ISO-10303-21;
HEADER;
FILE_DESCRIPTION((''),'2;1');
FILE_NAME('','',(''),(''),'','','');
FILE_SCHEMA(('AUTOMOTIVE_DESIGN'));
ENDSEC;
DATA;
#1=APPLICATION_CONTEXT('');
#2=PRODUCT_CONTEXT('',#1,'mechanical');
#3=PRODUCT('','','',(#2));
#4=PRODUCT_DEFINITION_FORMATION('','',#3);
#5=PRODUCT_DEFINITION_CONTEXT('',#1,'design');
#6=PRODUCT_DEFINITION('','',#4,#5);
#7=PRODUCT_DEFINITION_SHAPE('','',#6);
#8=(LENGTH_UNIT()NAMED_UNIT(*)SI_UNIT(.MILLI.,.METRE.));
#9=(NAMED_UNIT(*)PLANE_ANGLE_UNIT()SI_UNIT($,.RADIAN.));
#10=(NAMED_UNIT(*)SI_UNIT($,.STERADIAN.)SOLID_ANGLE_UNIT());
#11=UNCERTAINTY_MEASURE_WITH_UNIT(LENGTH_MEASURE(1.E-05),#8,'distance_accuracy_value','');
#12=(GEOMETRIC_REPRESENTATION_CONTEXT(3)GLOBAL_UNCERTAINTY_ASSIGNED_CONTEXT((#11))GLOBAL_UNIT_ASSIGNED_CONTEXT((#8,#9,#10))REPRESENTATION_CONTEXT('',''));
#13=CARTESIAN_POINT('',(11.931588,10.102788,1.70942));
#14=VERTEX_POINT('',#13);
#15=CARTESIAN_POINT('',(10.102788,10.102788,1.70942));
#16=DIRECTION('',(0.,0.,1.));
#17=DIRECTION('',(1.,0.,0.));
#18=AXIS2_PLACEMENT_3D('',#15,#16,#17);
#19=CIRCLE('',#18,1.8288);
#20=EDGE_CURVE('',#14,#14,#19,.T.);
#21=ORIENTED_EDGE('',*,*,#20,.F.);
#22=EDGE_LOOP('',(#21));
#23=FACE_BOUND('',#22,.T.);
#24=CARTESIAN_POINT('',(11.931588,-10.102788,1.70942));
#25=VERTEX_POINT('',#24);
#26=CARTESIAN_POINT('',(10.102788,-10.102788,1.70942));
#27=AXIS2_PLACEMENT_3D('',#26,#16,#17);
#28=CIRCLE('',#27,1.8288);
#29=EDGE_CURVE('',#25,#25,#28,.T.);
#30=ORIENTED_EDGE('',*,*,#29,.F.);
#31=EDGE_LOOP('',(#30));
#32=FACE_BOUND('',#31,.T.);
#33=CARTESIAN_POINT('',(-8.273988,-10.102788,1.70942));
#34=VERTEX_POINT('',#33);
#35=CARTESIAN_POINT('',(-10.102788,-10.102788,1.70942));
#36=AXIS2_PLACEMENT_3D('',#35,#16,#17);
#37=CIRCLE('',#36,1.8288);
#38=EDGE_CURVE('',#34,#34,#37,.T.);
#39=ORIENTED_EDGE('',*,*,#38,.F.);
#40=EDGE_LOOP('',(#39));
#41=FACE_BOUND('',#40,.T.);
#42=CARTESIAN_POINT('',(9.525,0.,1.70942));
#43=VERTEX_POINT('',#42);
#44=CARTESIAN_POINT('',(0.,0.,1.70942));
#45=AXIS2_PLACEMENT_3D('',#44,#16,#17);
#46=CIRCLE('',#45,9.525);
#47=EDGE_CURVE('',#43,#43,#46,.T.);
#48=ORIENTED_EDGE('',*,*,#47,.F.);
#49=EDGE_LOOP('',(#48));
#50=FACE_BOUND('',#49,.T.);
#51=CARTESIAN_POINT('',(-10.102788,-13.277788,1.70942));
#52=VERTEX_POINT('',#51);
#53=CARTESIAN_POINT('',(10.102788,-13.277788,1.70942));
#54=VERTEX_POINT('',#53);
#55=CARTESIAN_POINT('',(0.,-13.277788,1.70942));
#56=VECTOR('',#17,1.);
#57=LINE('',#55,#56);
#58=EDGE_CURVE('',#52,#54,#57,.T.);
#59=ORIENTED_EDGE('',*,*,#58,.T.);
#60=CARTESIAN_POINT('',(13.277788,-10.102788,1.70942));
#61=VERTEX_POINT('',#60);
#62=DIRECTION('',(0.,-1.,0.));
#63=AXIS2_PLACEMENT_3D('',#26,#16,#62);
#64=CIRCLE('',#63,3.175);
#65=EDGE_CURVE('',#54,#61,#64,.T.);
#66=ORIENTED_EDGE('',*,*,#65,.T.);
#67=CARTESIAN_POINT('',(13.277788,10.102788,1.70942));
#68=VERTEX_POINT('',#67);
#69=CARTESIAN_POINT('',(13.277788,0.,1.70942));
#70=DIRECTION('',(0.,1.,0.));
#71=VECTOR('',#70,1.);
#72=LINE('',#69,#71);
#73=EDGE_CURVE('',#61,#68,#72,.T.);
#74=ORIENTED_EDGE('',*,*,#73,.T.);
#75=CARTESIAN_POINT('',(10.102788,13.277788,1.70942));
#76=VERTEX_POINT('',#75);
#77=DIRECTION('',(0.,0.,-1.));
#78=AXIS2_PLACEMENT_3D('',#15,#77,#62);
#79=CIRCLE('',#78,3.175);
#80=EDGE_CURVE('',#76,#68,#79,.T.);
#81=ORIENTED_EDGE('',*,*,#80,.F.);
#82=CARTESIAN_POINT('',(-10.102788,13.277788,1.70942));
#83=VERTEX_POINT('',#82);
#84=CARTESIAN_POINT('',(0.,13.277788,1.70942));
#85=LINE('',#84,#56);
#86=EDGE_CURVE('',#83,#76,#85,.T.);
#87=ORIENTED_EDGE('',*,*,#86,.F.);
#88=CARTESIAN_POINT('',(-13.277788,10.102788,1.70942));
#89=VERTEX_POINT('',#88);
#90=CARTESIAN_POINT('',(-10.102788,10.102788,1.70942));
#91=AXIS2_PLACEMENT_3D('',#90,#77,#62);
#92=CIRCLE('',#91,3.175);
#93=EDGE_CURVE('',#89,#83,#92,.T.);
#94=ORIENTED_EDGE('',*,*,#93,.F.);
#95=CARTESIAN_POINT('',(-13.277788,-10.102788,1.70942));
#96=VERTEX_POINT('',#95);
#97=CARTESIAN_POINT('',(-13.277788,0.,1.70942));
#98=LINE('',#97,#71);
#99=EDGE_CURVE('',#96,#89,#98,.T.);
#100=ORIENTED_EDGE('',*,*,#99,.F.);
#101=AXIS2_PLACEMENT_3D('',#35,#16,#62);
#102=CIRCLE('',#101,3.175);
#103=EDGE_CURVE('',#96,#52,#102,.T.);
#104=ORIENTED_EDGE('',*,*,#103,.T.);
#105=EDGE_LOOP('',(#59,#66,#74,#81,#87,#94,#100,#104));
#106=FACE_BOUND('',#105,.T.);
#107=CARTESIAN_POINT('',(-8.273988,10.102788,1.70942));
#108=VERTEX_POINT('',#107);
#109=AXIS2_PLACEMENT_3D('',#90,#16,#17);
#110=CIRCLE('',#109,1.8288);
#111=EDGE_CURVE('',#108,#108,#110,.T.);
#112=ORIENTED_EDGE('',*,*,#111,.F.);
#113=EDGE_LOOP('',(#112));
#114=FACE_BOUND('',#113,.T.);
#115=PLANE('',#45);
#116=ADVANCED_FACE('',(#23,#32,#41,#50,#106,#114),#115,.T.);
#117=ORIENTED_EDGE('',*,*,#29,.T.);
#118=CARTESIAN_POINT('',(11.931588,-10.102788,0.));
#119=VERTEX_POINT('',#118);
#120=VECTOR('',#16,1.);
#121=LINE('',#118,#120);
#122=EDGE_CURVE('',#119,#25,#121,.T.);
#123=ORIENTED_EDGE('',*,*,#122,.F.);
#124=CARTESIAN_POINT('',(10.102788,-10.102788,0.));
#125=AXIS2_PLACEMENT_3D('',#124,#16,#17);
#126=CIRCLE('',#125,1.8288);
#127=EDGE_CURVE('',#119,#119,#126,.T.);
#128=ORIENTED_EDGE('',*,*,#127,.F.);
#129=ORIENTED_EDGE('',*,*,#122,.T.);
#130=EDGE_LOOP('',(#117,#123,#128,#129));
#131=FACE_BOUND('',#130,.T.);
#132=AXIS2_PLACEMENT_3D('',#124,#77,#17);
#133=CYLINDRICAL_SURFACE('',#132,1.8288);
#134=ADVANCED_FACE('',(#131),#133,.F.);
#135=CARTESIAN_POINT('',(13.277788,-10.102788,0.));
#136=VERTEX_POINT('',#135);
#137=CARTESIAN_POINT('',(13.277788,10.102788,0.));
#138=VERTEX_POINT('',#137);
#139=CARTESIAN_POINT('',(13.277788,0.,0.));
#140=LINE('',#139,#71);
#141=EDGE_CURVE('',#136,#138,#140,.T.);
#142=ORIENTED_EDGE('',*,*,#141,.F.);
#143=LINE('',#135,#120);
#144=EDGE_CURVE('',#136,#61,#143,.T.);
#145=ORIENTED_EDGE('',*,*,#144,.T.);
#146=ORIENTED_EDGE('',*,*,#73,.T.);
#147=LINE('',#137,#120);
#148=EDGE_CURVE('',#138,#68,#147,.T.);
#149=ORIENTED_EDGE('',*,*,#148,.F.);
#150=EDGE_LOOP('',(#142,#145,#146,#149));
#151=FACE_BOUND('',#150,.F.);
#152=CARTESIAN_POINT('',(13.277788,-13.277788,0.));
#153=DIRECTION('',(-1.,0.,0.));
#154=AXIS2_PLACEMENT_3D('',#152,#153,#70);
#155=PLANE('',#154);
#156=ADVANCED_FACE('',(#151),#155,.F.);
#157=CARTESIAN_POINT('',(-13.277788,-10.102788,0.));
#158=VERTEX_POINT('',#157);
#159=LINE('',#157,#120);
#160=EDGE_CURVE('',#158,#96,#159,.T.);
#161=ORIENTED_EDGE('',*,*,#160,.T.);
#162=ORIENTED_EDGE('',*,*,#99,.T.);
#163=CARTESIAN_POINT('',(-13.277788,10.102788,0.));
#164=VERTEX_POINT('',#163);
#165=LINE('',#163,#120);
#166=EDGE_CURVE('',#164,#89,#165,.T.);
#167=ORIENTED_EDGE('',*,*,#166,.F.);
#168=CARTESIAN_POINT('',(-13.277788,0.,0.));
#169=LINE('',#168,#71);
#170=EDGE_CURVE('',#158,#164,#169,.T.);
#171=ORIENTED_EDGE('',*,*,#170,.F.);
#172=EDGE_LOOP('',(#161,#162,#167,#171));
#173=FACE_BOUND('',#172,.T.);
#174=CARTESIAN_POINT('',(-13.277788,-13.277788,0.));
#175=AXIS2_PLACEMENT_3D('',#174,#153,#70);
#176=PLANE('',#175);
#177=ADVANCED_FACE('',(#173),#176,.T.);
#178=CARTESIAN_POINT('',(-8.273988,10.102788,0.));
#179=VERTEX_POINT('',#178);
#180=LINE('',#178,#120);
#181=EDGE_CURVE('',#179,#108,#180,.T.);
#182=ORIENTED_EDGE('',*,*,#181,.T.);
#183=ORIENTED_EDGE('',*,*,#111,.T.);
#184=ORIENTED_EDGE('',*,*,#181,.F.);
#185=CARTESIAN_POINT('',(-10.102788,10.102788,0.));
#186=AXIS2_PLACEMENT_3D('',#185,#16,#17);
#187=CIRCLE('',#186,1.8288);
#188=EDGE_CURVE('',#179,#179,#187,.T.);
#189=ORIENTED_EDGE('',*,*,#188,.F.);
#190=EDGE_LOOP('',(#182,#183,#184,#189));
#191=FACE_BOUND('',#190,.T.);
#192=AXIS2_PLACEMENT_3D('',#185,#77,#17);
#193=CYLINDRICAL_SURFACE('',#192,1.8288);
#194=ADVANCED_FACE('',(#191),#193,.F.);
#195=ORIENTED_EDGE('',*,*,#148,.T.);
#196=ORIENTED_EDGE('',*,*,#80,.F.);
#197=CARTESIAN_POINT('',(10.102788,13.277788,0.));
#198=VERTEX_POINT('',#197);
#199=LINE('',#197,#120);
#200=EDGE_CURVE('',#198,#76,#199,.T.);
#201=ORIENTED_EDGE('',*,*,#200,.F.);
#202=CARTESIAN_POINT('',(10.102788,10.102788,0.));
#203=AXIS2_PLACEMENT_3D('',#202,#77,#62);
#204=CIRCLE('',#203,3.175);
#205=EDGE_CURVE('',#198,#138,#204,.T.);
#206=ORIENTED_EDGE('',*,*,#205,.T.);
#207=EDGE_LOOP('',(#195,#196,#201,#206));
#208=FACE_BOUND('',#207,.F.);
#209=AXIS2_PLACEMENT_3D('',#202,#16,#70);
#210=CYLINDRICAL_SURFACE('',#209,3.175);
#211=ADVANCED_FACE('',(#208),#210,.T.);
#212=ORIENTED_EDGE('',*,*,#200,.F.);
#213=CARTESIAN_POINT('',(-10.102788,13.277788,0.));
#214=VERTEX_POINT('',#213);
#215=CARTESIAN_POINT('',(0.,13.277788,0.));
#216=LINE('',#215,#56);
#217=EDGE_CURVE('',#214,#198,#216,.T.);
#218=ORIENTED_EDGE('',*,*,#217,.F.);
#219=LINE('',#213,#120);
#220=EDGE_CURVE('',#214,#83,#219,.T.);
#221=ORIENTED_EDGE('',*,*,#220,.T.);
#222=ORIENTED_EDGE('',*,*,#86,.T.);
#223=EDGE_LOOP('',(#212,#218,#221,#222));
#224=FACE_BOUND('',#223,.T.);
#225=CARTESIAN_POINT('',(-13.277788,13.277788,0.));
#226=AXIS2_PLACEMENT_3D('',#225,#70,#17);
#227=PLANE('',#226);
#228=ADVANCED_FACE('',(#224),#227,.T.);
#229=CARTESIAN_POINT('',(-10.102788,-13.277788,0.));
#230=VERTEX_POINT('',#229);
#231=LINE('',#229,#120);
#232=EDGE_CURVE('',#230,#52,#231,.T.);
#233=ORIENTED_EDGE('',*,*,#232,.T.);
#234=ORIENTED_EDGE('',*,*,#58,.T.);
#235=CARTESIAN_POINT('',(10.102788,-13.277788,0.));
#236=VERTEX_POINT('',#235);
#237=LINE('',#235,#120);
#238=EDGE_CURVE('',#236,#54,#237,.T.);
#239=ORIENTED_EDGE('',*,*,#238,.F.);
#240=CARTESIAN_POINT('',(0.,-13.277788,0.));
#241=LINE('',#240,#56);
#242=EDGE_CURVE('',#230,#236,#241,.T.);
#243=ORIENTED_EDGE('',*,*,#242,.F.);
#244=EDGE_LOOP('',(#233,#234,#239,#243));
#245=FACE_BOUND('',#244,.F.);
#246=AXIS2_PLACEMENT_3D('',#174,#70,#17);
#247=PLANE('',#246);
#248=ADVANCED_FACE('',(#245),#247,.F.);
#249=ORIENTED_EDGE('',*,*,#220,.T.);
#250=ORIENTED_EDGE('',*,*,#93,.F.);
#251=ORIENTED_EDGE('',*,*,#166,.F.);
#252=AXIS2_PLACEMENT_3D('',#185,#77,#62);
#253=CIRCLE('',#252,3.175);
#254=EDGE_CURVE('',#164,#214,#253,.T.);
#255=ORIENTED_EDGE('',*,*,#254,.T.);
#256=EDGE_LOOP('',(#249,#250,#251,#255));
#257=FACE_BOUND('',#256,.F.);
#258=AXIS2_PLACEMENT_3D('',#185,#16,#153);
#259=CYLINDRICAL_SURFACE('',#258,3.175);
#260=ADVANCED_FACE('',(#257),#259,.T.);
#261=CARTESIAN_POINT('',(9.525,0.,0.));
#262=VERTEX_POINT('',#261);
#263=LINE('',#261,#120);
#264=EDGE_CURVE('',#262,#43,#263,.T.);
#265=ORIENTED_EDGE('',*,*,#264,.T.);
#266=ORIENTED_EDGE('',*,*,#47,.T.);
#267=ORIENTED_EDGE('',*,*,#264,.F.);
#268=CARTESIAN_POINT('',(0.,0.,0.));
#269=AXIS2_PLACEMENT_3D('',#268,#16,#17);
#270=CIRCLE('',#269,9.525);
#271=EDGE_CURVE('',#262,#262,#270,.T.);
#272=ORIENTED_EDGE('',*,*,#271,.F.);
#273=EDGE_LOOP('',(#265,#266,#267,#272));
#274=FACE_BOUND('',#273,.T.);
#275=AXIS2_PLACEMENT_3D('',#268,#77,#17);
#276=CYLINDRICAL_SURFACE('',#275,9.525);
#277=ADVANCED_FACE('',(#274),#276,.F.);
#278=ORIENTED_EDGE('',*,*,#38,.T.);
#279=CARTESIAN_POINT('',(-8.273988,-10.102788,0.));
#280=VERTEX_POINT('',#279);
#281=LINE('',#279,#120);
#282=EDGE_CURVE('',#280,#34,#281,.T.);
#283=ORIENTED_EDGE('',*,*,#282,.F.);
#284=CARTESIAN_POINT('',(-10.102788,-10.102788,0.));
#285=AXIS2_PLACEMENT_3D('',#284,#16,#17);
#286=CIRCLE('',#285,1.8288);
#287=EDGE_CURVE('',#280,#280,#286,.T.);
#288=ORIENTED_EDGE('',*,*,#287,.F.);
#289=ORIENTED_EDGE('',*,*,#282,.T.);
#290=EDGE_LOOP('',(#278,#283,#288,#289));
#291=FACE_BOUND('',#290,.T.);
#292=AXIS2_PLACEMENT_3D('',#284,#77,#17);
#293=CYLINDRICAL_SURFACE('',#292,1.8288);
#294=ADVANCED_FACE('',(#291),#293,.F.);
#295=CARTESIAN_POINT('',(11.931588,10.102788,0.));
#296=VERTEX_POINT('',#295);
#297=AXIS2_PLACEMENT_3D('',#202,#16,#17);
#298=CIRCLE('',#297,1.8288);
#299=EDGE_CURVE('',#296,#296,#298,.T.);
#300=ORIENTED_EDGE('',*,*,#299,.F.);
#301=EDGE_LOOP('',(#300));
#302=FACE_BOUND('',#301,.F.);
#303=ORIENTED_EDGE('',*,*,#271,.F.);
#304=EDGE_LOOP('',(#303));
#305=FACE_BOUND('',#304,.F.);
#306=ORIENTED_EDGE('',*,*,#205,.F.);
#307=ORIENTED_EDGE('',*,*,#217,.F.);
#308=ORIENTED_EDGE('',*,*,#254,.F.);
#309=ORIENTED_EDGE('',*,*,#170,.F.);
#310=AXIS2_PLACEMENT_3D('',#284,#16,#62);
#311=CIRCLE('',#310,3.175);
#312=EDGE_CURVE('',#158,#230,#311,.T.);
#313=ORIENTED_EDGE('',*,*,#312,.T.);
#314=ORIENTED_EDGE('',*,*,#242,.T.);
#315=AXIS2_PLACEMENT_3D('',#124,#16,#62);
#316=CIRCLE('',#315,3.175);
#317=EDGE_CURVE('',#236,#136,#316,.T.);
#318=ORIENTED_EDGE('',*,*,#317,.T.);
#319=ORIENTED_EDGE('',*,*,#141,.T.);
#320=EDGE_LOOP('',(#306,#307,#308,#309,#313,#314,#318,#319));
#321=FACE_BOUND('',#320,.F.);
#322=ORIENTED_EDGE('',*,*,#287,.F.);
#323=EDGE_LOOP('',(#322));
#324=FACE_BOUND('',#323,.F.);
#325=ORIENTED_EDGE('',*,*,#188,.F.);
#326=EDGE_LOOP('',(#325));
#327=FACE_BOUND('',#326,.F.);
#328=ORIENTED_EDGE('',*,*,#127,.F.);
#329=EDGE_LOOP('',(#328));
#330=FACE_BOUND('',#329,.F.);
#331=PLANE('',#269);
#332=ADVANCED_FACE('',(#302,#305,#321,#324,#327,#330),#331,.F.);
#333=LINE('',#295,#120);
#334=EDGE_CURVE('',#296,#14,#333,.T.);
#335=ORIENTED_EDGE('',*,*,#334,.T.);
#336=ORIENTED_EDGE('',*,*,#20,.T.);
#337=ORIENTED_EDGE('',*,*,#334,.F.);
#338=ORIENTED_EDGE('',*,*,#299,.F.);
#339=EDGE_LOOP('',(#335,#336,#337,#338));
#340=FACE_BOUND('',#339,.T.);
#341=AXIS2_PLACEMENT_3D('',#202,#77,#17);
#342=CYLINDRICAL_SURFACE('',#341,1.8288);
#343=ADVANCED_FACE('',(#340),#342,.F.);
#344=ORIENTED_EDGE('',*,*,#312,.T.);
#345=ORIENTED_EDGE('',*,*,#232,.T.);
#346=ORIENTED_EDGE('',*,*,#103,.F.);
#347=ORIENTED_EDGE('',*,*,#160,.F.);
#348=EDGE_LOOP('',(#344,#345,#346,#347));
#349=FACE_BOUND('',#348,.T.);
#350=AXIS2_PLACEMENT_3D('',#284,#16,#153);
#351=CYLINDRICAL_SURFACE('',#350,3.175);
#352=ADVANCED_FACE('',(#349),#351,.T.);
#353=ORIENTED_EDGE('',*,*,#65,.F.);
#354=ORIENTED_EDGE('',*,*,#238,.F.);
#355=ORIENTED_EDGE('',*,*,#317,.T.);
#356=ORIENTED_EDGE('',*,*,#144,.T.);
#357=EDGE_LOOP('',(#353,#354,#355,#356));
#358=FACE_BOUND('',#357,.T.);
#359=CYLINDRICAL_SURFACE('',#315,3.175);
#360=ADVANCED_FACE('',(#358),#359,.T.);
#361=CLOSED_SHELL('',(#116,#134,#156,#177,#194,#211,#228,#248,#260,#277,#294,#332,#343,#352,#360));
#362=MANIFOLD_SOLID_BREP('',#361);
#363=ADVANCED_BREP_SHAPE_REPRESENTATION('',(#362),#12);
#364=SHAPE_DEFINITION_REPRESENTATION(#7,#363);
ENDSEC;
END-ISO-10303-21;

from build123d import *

# Parameters (mm, degrees)
F0_W     = 26.555576
F0_H     = 26.555576
F0_R     = 1.8288
F0_R_2   = 9.525
F1_DEPTH = 1.70942
F2_R     = 3.175


with BuildPart() as f1:
    # F0 (on Top) → F1 (new body)
    with BuildSketch(Plane.XY):
        Rectangle(F0_W, F0_H)
        with Locations((-10.102788, -10.102788)):
            Circle(F0_R, mode=Mode.SUBTRACT)
        with Locations((10.102788, -10.102788)):
            Circle(F0_R, mode=Mode.SUBTRACT)
        Circle(F0_R_2, mode=Mode.SUBTRACT)
        with Locations((-10.102788, 10.102788)):
            Circle(F0_R, mode=Mode.SUBTRACT)
        with Locations((10.102788, 10.102788)):
            Circle(F0_R, mode=Mode.SUBTRACT)
    extrude(amount=F1_DEPTH)

    # F2
    f2_edges = [f1.edges().sort_by_distance(p)[0] for p in [
        (-13.277788, 13.277788, 0.85471),
        (13.277788, 13.277788, 0.85471),
        (13.277788, -13.277788, 0.85471),
        (-13.277788, -13.277788, 0.85471),
    ]]
    fillet(f2_edges, radius=F2_R)


solid = f1.part
